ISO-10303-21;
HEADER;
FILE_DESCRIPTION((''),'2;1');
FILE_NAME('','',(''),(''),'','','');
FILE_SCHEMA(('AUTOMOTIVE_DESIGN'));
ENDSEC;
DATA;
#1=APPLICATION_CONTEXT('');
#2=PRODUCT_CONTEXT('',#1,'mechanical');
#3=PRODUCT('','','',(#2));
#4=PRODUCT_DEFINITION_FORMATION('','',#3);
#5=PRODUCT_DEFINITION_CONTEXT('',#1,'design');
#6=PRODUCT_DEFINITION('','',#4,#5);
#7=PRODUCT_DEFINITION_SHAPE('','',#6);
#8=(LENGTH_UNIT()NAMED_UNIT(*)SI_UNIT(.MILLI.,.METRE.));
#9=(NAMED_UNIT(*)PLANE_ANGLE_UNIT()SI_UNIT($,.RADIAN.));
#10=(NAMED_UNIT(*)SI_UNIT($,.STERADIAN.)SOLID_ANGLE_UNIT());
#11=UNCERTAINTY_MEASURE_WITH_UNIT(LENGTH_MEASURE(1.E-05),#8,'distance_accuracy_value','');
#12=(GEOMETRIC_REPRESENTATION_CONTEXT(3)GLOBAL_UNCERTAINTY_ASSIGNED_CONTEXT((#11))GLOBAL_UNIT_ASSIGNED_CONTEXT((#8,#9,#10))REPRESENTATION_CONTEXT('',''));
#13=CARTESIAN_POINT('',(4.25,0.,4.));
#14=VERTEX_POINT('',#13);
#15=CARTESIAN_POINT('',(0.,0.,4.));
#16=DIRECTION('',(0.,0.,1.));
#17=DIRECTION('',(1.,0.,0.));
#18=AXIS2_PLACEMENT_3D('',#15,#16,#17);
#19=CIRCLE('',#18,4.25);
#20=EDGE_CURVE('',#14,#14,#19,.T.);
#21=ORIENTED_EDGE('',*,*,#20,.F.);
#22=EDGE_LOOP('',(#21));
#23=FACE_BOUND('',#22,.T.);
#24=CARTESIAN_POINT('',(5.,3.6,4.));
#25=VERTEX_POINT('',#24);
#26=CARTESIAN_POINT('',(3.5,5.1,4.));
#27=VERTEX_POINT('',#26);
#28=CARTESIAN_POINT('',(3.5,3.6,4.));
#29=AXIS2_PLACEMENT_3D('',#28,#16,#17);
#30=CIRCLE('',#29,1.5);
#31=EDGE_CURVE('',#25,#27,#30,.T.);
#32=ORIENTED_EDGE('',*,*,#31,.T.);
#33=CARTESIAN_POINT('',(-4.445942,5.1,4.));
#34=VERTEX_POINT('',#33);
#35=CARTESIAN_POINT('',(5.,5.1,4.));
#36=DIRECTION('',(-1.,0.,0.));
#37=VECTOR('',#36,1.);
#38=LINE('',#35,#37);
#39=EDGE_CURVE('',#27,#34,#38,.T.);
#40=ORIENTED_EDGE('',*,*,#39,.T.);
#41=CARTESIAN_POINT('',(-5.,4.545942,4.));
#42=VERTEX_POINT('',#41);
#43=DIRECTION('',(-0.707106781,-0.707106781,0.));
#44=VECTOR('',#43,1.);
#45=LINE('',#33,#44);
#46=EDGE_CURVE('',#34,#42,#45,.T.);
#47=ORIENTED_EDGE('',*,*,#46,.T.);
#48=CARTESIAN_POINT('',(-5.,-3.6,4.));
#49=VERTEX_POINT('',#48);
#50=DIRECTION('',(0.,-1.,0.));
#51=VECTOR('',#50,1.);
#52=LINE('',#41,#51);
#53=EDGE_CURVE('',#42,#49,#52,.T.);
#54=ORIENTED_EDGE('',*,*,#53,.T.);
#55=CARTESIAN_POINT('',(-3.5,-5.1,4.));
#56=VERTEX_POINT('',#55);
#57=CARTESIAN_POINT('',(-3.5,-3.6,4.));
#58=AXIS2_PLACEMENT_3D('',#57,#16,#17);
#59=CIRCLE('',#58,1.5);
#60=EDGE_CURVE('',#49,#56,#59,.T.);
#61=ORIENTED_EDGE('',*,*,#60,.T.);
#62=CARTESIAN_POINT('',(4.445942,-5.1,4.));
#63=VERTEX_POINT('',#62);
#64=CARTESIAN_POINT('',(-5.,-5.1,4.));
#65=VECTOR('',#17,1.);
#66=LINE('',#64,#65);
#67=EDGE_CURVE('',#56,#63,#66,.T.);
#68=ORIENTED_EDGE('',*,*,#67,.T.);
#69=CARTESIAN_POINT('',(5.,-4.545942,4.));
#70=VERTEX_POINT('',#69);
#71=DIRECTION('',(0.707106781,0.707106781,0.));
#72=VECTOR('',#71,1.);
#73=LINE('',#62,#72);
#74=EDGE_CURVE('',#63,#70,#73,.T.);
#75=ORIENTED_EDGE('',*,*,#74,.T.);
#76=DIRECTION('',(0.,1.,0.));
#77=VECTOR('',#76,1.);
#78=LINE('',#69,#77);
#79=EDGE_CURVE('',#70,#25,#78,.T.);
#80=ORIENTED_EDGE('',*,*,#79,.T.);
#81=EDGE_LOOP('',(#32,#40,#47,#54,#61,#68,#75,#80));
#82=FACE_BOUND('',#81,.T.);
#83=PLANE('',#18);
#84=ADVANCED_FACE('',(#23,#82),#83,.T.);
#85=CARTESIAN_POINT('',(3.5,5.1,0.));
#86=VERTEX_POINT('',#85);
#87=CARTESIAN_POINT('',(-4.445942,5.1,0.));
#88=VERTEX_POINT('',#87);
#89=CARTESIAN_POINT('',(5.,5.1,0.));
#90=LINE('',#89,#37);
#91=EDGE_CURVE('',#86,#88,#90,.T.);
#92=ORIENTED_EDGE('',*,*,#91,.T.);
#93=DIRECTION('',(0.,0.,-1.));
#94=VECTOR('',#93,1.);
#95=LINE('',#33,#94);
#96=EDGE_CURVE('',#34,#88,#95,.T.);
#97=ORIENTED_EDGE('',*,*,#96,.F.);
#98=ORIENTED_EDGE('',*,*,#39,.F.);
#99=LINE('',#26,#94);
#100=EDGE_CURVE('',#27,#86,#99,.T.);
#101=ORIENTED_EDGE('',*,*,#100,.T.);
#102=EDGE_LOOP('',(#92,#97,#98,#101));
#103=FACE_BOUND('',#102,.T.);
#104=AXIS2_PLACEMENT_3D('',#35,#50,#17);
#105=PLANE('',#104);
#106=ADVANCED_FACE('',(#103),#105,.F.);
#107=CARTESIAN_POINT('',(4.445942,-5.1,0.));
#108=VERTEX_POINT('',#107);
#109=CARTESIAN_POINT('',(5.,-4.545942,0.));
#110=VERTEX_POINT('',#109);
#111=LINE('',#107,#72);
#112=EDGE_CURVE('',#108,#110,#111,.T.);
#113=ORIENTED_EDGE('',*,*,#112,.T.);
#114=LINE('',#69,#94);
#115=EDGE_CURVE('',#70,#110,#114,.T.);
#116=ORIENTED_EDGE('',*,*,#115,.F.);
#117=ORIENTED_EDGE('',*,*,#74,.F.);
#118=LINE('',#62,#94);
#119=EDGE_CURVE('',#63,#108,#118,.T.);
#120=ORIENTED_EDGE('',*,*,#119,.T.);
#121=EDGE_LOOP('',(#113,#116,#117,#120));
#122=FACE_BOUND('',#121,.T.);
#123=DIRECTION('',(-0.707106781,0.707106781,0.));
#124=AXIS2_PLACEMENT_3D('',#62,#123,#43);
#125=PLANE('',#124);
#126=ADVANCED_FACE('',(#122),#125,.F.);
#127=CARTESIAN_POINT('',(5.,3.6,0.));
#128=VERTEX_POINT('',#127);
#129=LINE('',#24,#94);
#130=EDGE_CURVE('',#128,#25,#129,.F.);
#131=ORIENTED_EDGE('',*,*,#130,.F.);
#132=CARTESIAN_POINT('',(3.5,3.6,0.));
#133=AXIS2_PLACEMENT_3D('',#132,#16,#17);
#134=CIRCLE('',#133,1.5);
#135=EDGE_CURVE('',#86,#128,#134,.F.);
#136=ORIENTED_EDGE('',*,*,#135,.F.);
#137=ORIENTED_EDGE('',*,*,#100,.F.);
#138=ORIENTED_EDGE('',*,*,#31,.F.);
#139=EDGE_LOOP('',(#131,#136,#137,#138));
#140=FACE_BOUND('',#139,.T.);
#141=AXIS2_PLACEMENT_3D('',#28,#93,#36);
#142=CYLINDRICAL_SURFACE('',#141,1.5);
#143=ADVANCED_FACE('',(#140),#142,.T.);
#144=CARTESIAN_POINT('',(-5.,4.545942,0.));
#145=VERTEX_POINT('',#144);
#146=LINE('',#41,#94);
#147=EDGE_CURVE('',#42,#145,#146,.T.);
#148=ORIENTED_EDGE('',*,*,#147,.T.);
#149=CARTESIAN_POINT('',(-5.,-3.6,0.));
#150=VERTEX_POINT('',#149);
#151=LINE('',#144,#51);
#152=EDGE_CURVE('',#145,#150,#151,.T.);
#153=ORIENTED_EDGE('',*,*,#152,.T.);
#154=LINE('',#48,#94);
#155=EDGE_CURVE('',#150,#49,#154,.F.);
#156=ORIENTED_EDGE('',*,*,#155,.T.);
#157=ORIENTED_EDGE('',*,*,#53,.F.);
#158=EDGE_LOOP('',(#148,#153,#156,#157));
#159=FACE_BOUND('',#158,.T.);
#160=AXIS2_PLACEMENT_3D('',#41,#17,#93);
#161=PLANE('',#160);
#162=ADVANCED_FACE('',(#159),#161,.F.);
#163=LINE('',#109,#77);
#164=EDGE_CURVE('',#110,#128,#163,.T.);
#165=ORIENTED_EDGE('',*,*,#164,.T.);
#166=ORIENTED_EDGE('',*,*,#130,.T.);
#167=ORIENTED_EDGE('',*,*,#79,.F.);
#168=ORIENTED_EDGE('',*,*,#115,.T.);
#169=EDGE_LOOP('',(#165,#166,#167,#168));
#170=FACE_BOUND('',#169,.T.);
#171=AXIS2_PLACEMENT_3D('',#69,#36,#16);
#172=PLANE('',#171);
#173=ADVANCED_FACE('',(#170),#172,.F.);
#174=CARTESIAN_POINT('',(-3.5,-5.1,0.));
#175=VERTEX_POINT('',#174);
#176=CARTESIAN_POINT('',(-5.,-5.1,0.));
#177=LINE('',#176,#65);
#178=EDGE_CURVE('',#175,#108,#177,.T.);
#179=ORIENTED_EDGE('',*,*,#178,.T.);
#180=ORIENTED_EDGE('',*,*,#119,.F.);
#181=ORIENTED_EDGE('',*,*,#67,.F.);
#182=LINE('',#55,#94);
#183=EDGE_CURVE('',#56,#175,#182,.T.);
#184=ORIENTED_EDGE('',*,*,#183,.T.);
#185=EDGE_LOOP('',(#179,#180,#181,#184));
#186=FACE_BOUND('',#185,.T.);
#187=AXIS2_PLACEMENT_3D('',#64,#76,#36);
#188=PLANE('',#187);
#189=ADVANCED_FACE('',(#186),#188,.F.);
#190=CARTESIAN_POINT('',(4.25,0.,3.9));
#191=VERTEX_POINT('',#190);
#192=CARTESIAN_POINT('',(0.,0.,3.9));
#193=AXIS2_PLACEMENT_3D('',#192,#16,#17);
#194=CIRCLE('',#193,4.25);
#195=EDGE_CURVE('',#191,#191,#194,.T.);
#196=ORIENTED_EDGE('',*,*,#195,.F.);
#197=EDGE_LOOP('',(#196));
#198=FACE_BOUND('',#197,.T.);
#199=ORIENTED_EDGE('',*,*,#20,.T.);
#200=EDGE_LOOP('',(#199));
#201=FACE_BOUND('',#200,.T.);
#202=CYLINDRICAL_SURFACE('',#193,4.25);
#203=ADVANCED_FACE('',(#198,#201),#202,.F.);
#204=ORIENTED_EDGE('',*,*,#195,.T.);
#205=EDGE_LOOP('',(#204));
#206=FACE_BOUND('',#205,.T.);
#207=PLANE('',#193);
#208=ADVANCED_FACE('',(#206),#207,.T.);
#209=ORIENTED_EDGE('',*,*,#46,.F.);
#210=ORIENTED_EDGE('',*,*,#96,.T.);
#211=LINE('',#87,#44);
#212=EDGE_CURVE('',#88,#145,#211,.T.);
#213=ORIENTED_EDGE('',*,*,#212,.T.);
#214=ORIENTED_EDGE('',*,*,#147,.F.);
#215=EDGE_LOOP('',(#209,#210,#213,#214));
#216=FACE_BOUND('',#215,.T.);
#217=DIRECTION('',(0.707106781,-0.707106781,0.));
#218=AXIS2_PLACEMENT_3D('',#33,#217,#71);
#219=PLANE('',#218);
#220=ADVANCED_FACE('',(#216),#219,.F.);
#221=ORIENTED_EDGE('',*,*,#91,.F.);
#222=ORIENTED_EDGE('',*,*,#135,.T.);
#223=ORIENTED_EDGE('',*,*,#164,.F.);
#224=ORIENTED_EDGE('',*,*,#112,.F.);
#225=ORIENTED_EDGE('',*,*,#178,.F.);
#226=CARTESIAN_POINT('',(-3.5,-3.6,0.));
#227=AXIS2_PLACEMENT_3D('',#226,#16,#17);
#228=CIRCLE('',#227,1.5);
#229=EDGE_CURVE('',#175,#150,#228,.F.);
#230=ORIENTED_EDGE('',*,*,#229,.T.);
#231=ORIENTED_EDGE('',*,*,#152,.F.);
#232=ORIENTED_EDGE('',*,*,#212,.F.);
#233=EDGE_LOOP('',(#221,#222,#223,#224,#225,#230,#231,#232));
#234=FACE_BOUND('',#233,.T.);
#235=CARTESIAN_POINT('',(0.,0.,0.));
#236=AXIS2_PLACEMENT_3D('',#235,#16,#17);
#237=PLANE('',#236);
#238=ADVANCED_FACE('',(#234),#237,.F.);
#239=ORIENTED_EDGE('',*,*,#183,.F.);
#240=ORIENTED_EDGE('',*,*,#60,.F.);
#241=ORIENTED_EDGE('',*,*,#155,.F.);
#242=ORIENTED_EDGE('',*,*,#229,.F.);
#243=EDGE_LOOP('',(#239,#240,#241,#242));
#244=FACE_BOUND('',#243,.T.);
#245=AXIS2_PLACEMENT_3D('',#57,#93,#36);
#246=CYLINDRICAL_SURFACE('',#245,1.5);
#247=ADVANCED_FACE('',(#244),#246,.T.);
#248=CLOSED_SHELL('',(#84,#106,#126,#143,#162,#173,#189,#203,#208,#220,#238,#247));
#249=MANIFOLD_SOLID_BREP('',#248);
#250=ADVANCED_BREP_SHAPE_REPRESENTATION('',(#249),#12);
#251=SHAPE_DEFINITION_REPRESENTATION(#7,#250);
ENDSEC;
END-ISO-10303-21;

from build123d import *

# Parameters (mm, degrees)
EXTRUDE_1_DEPTH     = 4
FILLET_1_R          = 1.5
SKETCH_2_R          = 4.25
CUT_EXTRUDE_1_DEPTH = 0.1


with BuildPart() as part:
    # Эскиз1 → Бобышка-Вытянуть1 (new body)
    with BuildSketch(Plane.XY):
        Polygon((-5, 4.545941546), (-5, -5.1), (4.445941546, -5.1), (5, -4.545941546), (5, 5.1), (-4.445941546, 5.1), align=None)
    extrude(amount=EXTRUDE_1_DEPTH)

    # Скругление1
    fillet_1_edges = [part.edges().sort_by_distance(p)[0] for p in [
        (5, 5.1, 2),
        (-5, -5.1, 2),
    ]]
    fillet(fillet_1_edges, radius=FILLET_1_R)

    # Эскиз2 → Вырез-Вытянуть1 (cut)
    with BuildSketch(Plane.XY.offset(4)):
        Circle(SKETCH_2_R)
    extrude(amount=-CUT_EXTRUDE_1_DEPTH, mode=Mode.SUBTRACT)


solid = part.part
